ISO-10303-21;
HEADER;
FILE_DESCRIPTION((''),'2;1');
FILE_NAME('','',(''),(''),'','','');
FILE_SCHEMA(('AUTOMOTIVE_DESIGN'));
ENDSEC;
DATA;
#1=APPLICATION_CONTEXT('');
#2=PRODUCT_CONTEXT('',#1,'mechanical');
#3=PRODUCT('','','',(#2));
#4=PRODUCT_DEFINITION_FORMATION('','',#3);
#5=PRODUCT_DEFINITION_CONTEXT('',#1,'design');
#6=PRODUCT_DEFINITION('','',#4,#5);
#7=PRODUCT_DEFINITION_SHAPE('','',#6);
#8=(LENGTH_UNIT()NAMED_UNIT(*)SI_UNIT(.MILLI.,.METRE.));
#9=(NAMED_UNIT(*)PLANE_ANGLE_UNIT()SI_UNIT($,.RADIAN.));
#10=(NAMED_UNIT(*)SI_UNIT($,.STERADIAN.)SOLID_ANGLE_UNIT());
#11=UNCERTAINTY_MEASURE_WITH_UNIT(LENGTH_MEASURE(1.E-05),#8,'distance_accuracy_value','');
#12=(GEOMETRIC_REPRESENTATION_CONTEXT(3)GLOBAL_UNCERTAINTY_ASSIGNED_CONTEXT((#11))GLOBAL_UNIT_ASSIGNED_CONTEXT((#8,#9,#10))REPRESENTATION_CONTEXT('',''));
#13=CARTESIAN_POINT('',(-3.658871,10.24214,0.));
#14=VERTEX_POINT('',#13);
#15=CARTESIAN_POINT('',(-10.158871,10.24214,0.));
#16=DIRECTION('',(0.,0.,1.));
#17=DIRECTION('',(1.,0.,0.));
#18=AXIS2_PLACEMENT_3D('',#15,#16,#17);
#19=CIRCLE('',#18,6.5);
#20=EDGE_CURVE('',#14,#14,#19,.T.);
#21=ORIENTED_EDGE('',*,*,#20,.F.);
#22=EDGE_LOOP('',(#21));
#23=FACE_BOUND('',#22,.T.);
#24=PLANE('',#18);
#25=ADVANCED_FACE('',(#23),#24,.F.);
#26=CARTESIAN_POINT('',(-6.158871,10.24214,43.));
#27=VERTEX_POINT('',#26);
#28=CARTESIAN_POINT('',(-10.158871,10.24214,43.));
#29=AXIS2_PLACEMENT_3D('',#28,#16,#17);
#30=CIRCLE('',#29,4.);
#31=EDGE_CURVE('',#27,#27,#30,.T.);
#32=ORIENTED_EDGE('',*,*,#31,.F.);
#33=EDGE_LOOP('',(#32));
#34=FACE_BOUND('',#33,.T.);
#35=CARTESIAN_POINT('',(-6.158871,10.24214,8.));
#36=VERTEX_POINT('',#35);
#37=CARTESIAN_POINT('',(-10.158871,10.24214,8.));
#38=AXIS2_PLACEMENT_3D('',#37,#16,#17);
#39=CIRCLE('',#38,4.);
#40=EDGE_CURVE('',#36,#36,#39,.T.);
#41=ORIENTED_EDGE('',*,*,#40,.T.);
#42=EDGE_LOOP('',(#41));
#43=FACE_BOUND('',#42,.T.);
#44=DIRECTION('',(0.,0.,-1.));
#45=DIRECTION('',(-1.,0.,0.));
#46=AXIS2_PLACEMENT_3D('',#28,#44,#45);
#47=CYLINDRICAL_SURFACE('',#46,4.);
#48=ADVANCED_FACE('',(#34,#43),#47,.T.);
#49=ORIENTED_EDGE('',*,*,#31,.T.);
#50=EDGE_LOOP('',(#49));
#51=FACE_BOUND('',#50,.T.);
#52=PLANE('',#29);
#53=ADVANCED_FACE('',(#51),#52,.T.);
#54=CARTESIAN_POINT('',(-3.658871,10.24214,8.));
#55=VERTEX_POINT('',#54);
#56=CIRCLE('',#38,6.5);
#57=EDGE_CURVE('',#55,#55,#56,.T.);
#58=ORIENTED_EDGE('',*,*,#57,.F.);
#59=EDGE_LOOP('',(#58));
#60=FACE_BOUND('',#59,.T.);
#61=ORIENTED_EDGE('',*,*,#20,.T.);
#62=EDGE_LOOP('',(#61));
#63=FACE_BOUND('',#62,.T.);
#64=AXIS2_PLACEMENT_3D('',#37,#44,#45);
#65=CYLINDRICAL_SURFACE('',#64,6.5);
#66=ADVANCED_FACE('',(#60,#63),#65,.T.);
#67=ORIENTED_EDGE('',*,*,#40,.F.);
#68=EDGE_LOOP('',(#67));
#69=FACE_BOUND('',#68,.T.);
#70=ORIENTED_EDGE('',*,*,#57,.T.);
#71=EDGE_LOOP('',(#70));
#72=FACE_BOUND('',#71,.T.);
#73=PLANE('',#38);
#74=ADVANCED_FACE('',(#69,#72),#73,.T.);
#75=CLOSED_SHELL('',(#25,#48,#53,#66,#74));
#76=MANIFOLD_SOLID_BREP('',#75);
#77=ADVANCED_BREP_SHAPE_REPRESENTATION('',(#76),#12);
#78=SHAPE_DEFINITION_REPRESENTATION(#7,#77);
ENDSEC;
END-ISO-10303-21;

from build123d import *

# Parameters (mm, degrees)
SKETCH_1_R      = 6.5
EXTRUDE_1_DEPTH = 8
SKETCH_2_R      = 4
EXTRUDE_2_DEPTH = 35


with BuildPart() as part:
    # 草图1 → 凸台-拉伸1 (new body)
    with BuildSketch(Plane.XY):
        with Locations((-10.158870923, 10.242140357)):
            Circle(SKETCH_1_R)
    extrude(amount=EXTRUDE_1_DEPTH)

    # 草图2 → 凸台-拉伸2 (add)
    with BuildSketch(Plane.XY.offset(8)):
        with Locations((-10.158870923, 10.242140357)):
            Circle(SKETCH_2_R)
    extrude(amount=EXTRUDE_2_DEPTH)


solid = part.part
